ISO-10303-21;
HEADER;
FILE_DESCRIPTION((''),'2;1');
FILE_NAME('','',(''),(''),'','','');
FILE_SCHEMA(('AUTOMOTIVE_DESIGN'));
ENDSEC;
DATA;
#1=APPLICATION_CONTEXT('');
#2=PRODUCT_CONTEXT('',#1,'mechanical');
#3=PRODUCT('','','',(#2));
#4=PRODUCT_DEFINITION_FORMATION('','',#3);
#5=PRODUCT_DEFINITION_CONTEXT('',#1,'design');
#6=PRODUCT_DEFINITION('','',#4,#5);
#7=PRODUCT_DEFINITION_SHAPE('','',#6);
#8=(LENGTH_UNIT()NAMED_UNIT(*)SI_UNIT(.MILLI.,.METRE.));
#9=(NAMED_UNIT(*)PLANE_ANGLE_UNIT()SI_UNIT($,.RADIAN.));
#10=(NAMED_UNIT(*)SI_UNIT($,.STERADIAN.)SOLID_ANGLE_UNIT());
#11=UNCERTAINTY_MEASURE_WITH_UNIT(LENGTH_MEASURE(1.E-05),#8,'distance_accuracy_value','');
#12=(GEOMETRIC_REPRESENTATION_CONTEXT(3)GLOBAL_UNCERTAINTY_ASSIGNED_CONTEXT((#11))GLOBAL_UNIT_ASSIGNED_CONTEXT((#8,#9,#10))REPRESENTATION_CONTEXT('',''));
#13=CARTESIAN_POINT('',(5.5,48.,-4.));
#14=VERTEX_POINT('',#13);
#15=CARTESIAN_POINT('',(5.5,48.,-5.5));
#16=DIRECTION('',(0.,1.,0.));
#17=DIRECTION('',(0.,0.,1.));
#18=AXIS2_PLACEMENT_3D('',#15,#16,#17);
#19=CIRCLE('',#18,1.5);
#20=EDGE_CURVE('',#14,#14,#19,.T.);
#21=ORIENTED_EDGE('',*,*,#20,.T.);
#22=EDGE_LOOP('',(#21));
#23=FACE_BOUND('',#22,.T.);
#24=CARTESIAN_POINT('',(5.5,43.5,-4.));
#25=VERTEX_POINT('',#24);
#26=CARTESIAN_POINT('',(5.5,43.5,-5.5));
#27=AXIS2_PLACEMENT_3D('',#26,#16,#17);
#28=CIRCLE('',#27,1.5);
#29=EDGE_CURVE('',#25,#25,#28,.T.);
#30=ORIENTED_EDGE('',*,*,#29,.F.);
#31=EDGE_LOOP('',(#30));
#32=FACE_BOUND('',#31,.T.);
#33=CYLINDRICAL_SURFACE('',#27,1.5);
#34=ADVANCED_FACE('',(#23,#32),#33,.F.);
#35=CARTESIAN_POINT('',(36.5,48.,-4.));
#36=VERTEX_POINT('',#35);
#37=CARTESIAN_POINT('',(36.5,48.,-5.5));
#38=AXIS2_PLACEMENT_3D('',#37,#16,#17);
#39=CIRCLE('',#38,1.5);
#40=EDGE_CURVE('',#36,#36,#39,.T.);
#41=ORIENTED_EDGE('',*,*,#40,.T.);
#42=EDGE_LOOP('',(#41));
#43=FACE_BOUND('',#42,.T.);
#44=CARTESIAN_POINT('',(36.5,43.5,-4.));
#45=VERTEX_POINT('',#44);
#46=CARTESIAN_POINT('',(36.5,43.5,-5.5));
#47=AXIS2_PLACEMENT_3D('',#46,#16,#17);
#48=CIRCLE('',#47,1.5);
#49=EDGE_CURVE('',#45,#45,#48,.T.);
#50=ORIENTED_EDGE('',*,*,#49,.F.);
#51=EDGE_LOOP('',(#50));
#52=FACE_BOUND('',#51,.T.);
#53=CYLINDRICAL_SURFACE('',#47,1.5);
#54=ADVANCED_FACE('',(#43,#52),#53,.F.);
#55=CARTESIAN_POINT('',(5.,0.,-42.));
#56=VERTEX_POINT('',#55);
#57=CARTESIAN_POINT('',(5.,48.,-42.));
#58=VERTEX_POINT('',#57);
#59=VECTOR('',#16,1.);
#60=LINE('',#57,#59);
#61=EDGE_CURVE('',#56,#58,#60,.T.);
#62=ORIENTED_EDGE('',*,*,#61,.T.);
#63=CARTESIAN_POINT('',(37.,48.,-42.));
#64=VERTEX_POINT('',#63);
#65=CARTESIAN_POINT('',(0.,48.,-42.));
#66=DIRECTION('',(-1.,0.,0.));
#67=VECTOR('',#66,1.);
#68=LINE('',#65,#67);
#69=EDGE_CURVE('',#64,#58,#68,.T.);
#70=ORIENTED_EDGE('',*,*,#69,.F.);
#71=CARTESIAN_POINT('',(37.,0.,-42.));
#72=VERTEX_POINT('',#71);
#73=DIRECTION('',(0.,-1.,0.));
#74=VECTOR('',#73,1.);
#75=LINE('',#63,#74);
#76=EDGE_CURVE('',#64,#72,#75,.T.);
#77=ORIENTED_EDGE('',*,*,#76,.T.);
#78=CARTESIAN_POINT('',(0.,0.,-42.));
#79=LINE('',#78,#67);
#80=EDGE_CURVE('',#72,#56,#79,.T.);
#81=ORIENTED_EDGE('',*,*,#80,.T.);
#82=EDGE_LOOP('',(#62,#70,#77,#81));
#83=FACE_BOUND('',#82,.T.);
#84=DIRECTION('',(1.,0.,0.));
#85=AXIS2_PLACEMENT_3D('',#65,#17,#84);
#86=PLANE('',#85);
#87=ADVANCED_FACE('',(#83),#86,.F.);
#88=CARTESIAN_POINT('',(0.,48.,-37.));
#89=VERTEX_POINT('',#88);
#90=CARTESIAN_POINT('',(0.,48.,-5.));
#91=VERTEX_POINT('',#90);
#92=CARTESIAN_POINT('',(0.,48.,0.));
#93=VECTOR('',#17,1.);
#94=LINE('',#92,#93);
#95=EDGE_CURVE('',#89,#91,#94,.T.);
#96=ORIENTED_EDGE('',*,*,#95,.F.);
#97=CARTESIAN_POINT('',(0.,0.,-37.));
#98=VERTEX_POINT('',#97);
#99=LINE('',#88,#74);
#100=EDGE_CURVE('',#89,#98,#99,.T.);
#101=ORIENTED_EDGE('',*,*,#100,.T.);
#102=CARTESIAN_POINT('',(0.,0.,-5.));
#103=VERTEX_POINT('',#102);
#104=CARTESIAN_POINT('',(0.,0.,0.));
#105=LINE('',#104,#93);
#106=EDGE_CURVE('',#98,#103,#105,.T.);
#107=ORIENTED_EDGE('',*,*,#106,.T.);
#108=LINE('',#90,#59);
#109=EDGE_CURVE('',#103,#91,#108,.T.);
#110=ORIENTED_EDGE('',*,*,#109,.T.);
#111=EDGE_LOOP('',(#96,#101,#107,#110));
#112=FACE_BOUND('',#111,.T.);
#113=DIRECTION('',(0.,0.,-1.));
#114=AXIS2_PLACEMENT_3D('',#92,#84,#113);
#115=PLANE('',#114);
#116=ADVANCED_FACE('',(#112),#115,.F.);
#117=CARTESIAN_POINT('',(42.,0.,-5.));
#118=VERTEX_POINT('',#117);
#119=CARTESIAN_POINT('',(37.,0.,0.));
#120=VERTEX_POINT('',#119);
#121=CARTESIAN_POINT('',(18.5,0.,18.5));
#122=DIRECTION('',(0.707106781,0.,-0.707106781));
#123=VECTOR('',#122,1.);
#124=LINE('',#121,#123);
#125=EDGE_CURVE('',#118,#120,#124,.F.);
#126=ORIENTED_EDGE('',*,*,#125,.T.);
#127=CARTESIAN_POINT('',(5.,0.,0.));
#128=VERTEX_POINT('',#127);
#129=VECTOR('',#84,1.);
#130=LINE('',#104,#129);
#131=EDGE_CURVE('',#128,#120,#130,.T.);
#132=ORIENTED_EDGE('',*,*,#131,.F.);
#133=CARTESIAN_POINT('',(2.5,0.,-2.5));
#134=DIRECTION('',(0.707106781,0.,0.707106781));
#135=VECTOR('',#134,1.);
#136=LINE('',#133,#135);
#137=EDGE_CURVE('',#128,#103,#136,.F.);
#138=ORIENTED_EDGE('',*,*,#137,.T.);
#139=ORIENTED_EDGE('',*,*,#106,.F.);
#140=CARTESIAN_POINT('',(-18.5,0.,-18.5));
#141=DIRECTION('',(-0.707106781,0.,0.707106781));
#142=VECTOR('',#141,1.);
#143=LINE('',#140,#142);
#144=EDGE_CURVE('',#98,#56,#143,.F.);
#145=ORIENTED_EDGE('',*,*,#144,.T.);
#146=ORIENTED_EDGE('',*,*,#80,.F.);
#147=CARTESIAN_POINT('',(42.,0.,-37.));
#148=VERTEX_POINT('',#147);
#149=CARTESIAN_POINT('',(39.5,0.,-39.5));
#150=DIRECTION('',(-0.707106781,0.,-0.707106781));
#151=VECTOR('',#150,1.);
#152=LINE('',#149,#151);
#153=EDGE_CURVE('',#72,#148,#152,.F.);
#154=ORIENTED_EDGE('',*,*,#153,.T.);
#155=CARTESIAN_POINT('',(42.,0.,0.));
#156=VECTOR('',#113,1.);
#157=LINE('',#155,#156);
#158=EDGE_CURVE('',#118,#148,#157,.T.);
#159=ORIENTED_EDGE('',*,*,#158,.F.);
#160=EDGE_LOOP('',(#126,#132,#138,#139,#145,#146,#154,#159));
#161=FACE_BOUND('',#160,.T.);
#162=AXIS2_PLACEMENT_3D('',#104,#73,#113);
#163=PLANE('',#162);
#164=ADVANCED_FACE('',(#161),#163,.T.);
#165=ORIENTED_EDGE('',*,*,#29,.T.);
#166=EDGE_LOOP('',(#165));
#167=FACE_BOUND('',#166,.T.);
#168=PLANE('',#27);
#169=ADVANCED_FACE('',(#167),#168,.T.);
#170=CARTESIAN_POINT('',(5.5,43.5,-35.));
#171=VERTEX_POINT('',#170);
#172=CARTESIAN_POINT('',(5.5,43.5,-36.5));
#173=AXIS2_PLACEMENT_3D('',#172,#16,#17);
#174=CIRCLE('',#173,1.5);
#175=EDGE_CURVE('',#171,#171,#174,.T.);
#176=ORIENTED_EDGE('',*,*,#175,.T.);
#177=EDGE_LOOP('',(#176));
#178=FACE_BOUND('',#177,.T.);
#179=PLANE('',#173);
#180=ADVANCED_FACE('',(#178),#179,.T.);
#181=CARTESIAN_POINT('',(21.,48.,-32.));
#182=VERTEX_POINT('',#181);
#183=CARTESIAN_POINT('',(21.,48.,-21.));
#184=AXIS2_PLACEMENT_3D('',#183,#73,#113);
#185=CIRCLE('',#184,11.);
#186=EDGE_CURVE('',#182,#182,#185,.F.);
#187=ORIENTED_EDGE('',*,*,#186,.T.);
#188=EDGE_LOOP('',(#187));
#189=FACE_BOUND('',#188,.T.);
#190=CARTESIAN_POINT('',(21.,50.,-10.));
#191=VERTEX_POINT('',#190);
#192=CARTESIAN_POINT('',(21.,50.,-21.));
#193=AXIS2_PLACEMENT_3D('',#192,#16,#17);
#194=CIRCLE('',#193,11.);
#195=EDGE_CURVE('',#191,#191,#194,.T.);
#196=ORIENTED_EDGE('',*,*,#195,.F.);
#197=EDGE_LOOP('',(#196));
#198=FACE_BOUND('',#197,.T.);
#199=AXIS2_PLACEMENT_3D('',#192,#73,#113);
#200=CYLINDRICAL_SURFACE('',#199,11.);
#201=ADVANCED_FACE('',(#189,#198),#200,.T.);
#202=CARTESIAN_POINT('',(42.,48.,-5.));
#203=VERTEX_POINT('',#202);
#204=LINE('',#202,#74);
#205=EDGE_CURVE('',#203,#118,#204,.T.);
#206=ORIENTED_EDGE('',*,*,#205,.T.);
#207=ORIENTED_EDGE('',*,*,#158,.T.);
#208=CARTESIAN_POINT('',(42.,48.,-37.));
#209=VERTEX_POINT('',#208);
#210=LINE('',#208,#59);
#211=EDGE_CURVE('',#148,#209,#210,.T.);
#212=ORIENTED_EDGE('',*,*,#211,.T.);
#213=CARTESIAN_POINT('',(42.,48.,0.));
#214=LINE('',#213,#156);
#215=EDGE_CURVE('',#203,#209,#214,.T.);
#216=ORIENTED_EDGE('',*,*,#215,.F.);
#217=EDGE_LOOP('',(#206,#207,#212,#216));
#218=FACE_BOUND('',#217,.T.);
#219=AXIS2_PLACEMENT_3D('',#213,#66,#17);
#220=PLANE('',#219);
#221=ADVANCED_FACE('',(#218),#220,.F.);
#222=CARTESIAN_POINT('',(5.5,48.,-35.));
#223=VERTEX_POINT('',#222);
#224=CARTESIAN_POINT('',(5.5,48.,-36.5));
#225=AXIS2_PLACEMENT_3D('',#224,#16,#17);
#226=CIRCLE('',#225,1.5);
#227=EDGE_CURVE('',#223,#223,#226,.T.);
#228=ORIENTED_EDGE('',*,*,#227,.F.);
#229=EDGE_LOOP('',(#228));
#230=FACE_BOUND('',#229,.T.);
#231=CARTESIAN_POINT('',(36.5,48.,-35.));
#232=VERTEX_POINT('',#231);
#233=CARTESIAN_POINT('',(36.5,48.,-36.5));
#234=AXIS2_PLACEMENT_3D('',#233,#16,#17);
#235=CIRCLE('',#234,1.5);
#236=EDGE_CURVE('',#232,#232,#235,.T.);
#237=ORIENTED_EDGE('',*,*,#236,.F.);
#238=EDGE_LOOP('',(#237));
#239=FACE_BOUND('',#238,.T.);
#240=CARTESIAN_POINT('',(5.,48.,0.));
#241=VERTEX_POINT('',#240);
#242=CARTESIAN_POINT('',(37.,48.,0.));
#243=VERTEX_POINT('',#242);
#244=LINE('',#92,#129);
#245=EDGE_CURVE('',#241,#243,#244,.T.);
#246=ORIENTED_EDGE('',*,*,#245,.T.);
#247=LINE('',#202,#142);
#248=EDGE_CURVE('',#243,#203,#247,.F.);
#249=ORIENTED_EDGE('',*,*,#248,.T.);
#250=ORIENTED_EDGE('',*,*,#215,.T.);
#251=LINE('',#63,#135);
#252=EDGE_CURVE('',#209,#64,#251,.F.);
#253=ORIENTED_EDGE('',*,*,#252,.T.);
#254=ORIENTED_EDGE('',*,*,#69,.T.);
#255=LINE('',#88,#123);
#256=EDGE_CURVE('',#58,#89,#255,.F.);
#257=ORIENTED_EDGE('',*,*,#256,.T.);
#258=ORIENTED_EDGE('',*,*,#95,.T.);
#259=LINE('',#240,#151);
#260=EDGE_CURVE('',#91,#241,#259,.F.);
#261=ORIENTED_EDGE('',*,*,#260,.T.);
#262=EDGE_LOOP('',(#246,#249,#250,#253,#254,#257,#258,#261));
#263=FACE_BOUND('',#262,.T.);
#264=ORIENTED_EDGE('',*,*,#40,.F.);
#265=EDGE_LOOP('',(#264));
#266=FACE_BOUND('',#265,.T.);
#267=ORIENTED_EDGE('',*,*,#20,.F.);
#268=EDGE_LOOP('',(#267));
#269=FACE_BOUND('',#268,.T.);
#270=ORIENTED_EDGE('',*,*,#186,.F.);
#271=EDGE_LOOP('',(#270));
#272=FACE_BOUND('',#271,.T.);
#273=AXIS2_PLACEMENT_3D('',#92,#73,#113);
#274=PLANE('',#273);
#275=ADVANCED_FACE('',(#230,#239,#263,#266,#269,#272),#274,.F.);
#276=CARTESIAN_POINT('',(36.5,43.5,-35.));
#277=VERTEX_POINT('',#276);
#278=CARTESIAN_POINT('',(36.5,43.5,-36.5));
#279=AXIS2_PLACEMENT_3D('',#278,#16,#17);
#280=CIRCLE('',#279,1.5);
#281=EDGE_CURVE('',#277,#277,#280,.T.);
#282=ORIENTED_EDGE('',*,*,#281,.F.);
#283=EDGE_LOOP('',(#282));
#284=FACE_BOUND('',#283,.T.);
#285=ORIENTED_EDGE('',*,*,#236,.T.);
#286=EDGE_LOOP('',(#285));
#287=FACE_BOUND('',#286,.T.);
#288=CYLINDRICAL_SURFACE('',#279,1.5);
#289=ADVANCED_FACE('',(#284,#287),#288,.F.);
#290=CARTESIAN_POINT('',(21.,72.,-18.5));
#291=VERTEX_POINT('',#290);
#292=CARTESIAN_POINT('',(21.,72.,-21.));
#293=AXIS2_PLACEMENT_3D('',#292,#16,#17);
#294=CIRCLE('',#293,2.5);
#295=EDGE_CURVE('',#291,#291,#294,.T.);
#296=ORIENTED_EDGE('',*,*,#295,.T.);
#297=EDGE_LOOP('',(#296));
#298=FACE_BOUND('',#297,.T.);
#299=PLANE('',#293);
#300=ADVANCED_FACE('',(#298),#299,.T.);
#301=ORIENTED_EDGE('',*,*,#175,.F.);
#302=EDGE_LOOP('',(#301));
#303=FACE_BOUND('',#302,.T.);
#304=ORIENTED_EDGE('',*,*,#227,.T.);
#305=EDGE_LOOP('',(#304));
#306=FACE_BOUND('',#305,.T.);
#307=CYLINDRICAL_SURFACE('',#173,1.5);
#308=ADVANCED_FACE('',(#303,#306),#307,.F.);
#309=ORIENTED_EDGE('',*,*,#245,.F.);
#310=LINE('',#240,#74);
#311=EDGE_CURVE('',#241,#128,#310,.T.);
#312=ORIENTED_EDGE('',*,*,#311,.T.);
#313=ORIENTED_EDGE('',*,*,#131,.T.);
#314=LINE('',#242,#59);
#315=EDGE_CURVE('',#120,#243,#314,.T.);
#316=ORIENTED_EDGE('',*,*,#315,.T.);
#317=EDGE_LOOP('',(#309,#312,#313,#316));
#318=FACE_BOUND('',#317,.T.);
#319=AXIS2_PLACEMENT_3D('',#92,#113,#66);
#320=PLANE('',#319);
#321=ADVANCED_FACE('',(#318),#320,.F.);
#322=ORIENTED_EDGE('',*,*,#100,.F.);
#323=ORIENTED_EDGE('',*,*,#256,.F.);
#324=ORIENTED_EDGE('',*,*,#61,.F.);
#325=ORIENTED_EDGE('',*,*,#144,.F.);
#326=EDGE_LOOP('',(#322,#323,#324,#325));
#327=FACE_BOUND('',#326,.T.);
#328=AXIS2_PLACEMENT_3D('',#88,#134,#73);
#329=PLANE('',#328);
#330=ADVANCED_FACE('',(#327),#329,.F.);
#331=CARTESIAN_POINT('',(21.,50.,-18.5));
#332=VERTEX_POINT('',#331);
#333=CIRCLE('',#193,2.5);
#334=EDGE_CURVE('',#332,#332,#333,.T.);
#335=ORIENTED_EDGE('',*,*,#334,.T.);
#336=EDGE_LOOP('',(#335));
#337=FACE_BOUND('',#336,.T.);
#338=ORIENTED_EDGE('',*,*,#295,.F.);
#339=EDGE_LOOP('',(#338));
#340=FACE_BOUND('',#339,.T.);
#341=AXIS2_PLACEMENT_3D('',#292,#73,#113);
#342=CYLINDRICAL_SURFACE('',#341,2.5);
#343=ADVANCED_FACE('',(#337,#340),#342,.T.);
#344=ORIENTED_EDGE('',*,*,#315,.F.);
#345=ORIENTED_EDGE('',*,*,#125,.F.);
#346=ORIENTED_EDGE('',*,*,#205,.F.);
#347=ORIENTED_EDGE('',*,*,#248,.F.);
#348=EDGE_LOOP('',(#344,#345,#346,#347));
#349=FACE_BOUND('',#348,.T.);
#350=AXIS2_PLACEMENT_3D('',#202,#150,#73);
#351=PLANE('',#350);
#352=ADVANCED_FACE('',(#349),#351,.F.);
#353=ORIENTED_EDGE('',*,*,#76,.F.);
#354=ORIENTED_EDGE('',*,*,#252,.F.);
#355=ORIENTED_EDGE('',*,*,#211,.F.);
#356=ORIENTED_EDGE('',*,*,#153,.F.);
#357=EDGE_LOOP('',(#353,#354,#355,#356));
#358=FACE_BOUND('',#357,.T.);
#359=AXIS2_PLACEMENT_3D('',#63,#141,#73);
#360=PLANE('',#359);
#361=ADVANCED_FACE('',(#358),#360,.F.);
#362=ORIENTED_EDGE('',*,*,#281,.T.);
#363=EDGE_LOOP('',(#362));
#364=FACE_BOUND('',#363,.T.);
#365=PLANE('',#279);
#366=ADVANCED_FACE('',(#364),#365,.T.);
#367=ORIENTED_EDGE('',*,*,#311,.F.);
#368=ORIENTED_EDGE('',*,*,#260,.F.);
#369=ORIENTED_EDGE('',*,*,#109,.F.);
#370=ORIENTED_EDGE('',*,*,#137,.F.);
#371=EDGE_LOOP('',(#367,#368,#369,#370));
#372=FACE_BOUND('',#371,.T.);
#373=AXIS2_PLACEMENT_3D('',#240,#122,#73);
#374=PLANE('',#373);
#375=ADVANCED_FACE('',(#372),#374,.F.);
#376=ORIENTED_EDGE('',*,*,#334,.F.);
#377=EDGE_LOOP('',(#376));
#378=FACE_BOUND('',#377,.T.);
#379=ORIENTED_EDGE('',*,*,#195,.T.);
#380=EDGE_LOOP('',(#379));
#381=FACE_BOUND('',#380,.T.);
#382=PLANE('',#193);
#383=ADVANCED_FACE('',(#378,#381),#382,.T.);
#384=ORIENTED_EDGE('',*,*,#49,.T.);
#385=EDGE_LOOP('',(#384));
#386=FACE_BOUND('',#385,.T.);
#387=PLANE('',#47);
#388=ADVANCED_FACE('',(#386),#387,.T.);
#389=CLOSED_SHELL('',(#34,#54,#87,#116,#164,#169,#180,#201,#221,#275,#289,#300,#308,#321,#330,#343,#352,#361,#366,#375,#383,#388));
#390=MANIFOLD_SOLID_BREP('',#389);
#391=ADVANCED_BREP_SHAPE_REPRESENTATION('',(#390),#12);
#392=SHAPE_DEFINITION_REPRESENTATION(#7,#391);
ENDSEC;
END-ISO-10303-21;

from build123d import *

# Parameters (mm, degrees)
SKETCH1_W           = 42
SKETCH1_H           = 42
BOSS_EXTRUDE1_DEPTH = 48
CHAMFER1_SIZE       = 5
SKETCH2_R           = 1.5
CUT_EXTRUDE1_DEPTH  = 4.5
SKETCH3_R           = 11
BOSS_EXTRUDE2_DEPTH = 2
SKETCH4_R           = 2.5
BOSS_EXTRUDE3_DEPTH = 22


with BuildPart() as part:
    # Sketch1 → Boss-Extrude1 (new body)
    with BuildSketch(Plane(origin=(0, 0, 0), x_dir=(1, 0, 0), z_dir=(0, 1, 0))):
        with Locations((21, 21)):
            Rectangle(SKETCH1_W, SKETCH1_H)
    extrude(amount=BOSS_EXTRUDE1_DEPTH)

    # Chamfer1
    chamfer1_edges = [part.edges().sort_by_distance(p)[0] for p in [
        (0, 24, -42),
        (42, 24, -42),
        (42, 24, 0),
        (0, 24, 0),
    ]]
    chamfer(chamfer1_edges, length=CHAMFER1_SIZE)

    # Sketch2 → Cut-Extrude1 (cut)
    with BuildSketch(Plane(origin=(0, 48, 0), x_dir=(1, 0, 0), z_dir=(0, 1, 0))):
        with Locations(Location((5.5, 36.5, 0), (0, 0, 270))):
            Circle(SKETCH2_R)
        with Locations(Location((36.5, 36.5, 0), (0, 0, 270))):
            Circle(SKETCH2_R)
        with Locations(Location((5.5, 5.5, 0), (0, 0, 270))):
            Circle(SKETCH2_R)
        with Locations(Location((36.5, 5.5, 0), (0, 0, 270))):
            Circle(SKETCH2_R)
    extrude(amount=-CUT_EXTRUDE1_DEPTH, mode=Mode.SUBTRACT)

    # Sketch3 → Boss-Extrude2 (add)
    with BuildSketch(Plane(origin=(0, 48, 0), x_dir=(1, 0, 0), z_dir=(0, 1, 0))):
        with Locations(Location((21, 21, 0), (0, 0, 90))):
            Circle(SKETCH3_R)
    extrude(amount=BOSS_EXTRUDE2_DEPTH)

    # Sketch4 → Boss-Extrude3 (add)
    with BuildSketch(Plane(origin=(0, 50, 0), x_dir=(1, 0, 0), z_dir=(0, 1, 0))):
        with Locations(Location((21, 21, 0), (0, 0, 270))):
            Circle(SKETCH4_R)
    extrude(amount=BOSS_EXTRUDE3_DEPTH)


solid = part.part
